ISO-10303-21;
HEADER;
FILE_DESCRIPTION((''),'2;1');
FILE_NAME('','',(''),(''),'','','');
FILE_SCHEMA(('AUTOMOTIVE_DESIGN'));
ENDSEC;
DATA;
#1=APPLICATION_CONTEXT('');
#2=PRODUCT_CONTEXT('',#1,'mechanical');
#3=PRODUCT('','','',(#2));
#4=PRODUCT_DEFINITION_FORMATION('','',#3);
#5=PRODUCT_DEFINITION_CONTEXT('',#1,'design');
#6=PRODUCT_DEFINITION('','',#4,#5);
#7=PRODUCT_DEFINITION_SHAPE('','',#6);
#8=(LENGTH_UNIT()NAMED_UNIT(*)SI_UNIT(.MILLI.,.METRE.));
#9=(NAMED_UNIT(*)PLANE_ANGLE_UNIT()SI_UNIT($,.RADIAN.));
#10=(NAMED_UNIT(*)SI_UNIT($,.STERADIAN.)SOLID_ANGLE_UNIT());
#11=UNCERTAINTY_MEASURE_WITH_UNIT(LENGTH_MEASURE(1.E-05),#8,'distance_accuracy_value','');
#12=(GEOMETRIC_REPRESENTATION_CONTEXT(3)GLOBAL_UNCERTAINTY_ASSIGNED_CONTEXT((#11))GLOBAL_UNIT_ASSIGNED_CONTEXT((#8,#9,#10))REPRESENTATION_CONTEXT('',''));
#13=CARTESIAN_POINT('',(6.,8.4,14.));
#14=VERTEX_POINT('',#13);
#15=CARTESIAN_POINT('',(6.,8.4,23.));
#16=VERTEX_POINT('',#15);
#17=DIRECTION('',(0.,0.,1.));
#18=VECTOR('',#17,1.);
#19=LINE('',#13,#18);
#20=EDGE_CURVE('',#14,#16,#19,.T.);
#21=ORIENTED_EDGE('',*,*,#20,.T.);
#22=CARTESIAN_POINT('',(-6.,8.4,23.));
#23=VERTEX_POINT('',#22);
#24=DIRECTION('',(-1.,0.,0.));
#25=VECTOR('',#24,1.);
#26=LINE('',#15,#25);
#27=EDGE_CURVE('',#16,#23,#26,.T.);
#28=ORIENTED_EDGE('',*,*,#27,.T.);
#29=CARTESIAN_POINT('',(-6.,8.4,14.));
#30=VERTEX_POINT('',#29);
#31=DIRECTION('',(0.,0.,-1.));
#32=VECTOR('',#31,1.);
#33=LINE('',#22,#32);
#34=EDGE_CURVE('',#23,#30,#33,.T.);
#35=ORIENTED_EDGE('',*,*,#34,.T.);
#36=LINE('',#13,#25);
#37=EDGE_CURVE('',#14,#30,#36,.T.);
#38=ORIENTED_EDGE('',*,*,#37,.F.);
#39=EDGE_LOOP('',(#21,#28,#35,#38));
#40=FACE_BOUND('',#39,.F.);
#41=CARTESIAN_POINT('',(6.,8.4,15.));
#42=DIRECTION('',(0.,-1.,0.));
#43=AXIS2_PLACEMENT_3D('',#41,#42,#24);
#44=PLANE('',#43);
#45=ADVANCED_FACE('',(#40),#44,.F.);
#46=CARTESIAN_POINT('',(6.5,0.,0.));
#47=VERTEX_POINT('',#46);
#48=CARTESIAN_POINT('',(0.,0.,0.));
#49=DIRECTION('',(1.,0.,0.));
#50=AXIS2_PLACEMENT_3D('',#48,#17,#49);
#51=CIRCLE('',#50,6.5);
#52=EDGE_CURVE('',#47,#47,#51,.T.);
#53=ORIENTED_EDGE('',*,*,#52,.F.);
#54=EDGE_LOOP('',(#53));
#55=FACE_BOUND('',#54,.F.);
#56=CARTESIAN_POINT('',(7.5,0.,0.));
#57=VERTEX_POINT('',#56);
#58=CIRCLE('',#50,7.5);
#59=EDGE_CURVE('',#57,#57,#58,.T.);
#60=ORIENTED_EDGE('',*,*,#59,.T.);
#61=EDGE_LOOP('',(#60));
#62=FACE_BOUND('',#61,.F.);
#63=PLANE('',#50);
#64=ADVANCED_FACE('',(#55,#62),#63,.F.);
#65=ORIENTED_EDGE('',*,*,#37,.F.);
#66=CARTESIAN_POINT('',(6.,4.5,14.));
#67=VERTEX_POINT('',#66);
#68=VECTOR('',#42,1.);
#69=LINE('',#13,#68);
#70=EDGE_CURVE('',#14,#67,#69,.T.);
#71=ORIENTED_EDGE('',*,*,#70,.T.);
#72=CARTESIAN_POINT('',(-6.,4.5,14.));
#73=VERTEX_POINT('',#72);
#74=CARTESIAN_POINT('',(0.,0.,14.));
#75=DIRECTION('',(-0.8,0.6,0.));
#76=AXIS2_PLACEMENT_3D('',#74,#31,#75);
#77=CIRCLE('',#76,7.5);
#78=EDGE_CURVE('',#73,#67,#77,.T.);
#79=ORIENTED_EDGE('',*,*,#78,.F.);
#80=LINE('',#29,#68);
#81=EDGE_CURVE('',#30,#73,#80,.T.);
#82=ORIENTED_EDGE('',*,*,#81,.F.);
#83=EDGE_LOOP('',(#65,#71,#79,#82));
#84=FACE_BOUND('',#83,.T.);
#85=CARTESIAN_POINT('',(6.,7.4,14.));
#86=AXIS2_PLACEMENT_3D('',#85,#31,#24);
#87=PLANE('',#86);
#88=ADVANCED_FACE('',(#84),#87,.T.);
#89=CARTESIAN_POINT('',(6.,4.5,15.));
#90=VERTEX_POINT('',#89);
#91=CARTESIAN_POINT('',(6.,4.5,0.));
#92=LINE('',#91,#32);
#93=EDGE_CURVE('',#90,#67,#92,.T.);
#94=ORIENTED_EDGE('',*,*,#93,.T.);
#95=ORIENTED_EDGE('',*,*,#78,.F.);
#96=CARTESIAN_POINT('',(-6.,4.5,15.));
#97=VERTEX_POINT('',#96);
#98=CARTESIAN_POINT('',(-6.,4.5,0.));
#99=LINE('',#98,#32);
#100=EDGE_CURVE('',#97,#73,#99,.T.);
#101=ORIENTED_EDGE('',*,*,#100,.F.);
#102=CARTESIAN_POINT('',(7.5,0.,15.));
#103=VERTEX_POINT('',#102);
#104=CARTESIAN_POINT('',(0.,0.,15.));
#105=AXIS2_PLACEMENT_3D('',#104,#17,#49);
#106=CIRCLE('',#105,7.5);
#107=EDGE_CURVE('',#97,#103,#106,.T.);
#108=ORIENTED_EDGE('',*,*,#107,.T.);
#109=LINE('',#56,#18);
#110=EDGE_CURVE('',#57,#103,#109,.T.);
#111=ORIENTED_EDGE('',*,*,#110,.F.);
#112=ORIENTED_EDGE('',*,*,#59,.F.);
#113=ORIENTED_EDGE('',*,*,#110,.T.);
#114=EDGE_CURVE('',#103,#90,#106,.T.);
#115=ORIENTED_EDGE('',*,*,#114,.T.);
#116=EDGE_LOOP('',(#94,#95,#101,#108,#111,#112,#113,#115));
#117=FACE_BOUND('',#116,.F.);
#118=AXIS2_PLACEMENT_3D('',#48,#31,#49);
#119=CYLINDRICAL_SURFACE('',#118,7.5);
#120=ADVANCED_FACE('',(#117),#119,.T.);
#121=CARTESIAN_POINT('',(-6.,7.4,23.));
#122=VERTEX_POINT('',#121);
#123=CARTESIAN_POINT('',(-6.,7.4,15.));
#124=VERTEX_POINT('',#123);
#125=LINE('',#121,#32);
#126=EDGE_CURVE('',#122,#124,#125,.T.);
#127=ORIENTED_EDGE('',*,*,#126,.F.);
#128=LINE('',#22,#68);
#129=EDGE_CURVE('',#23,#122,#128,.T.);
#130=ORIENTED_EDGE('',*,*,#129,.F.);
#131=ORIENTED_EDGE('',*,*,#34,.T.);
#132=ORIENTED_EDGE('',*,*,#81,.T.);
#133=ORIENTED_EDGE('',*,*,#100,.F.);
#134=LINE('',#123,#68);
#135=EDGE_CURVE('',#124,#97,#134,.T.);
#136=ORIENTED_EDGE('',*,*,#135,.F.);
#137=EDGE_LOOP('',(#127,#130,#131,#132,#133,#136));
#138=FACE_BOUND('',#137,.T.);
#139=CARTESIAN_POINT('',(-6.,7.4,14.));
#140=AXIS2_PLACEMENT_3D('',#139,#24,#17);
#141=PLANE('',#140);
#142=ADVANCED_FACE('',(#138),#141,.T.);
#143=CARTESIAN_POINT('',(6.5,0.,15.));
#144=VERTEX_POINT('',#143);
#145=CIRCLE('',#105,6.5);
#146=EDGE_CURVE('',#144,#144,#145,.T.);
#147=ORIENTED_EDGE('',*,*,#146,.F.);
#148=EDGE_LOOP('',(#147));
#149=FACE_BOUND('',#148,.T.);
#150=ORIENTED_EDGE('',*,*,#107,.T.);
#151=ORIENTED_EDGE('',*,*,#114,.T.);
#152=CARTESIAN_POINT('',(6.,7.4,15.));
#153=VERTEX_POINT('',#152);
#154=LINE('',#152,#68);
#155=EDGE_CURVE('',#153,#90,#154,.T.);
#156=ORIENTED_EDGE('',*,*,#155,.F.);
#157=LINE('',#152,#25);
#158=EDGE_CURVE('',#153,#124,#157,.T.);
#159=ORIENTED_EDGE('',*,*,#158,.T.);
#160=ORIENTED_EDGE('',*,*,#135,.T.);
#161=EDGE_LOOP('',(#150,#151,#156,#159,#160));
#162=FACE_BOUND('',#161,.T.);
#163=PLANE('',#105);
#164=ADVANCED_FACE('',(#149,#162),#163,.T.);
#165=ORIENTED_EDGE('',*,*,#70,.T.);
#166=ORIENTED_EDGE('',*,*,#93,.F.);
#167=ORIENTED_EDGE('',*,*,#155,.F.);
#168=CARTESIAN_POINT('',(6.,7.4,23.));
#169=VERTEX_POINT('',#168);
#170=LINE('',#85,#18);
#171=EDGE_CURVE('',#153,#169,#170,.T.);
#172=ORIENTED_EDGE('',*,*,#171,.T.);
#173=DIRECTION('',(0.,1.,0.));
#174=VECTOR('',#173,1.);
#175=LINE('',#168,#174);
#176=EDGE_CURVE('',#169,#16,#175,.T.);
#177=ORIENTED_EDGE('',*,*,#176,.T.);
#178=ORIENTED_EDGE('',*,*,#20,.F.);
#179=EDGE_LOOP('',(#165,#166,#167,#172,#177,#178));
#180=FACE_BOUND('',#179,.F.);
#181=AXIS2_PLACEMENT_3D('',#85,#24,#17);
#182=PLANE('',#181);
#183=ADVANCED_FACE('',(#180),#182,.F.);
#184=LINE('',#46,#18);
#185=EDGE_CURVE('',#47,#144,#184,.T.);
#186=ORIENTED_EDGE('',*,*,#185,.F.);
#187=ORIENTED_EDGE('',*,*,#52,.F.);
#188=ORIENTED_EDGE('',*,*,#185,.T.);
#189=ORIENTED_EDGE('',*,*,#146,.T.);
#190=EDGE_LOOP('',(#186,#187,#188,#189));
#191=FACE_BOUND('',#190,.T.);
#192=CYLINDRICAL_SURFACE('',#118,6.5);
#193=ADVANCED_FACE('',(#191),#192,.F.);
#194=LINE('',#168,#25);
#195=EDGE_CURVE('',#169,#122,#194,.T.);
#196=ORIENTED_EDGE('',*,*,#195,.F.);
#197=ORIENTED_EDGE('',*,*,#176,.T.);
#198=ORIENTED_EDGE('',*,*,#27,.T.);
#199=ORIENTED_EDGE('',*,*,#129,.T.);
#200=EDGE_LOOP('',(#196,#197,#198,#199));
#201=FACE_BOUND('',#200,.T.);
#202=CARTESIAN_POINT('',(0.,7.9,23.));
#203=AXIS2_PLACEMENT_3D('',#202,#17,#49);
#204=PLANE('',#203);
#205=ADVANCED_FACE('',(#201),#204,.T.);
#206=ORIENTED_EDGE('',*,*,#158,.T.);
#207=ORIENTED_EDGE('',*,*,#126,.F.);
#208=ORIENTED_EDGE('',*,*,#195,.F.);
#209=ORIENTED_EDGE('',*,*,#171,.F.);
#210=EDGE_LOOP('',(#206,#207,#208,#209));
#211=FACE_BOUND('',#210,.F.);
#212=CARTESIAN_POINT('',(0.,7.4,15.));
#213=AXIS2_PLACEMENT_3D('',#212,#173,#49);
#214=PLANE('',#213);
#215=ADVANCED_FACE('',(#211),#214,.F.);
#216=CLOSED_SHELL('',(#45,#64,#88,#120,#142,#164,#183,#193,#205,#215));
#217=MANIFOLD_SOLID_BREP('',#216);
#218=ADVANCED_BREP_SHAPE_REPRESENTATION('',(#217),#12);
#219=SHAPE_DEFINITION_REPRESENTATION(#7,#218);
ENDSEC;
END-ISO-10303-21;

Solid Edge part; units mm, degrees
sketch "Sketch1" plane through (0, 0, 0) normal (0, 0, 1) x (1, 0, 0)
  circle A0 centre (0, 0) radius 6.5
  circle A1 centre (0, 0) radius 7.5
  dimension "D1" = 15
extrude "Protrusion1" add sketch "Sketch1" along normal blind 15
sketch "Sketch2" plane through (0, 0, 15) normal (0, 0, 1) x (1, 0, 0)
  line L0 (0, 7.4) -> (6, 7.4)
  line L1 (6, 7.4) -> (6, 8.4)
  line L2 (6, 8.4) -> (-6, 8.4)
  line L3 (-6, 8.4) -> (-6, 7.4)
  line L4 (-6, 7.4) -> (0, 7.4)
extrude "ExtrudedProtrusion_2" add sketch "Sketch2" along normal blind 8 and the other way blind 1
sketch "Sketch3" plane through (0, 7.4, 18.5) normal (0, -1, 0) x (-1, 0, 0)
  line L0 (-6, 4.5) -> (6, 4.5)
  line L1 (6, 4.5) -> (6, 3.5)
  line L2 (6, 3.5) -> (-6, 3.5)
  line L3 (-6, 4.5) -> (-6, 3.5)
extrude "Protrusion2" add sketch "Sketch3" along normal up to next
extrude "Cutout1" [suppressed]
properties material "Copper"
